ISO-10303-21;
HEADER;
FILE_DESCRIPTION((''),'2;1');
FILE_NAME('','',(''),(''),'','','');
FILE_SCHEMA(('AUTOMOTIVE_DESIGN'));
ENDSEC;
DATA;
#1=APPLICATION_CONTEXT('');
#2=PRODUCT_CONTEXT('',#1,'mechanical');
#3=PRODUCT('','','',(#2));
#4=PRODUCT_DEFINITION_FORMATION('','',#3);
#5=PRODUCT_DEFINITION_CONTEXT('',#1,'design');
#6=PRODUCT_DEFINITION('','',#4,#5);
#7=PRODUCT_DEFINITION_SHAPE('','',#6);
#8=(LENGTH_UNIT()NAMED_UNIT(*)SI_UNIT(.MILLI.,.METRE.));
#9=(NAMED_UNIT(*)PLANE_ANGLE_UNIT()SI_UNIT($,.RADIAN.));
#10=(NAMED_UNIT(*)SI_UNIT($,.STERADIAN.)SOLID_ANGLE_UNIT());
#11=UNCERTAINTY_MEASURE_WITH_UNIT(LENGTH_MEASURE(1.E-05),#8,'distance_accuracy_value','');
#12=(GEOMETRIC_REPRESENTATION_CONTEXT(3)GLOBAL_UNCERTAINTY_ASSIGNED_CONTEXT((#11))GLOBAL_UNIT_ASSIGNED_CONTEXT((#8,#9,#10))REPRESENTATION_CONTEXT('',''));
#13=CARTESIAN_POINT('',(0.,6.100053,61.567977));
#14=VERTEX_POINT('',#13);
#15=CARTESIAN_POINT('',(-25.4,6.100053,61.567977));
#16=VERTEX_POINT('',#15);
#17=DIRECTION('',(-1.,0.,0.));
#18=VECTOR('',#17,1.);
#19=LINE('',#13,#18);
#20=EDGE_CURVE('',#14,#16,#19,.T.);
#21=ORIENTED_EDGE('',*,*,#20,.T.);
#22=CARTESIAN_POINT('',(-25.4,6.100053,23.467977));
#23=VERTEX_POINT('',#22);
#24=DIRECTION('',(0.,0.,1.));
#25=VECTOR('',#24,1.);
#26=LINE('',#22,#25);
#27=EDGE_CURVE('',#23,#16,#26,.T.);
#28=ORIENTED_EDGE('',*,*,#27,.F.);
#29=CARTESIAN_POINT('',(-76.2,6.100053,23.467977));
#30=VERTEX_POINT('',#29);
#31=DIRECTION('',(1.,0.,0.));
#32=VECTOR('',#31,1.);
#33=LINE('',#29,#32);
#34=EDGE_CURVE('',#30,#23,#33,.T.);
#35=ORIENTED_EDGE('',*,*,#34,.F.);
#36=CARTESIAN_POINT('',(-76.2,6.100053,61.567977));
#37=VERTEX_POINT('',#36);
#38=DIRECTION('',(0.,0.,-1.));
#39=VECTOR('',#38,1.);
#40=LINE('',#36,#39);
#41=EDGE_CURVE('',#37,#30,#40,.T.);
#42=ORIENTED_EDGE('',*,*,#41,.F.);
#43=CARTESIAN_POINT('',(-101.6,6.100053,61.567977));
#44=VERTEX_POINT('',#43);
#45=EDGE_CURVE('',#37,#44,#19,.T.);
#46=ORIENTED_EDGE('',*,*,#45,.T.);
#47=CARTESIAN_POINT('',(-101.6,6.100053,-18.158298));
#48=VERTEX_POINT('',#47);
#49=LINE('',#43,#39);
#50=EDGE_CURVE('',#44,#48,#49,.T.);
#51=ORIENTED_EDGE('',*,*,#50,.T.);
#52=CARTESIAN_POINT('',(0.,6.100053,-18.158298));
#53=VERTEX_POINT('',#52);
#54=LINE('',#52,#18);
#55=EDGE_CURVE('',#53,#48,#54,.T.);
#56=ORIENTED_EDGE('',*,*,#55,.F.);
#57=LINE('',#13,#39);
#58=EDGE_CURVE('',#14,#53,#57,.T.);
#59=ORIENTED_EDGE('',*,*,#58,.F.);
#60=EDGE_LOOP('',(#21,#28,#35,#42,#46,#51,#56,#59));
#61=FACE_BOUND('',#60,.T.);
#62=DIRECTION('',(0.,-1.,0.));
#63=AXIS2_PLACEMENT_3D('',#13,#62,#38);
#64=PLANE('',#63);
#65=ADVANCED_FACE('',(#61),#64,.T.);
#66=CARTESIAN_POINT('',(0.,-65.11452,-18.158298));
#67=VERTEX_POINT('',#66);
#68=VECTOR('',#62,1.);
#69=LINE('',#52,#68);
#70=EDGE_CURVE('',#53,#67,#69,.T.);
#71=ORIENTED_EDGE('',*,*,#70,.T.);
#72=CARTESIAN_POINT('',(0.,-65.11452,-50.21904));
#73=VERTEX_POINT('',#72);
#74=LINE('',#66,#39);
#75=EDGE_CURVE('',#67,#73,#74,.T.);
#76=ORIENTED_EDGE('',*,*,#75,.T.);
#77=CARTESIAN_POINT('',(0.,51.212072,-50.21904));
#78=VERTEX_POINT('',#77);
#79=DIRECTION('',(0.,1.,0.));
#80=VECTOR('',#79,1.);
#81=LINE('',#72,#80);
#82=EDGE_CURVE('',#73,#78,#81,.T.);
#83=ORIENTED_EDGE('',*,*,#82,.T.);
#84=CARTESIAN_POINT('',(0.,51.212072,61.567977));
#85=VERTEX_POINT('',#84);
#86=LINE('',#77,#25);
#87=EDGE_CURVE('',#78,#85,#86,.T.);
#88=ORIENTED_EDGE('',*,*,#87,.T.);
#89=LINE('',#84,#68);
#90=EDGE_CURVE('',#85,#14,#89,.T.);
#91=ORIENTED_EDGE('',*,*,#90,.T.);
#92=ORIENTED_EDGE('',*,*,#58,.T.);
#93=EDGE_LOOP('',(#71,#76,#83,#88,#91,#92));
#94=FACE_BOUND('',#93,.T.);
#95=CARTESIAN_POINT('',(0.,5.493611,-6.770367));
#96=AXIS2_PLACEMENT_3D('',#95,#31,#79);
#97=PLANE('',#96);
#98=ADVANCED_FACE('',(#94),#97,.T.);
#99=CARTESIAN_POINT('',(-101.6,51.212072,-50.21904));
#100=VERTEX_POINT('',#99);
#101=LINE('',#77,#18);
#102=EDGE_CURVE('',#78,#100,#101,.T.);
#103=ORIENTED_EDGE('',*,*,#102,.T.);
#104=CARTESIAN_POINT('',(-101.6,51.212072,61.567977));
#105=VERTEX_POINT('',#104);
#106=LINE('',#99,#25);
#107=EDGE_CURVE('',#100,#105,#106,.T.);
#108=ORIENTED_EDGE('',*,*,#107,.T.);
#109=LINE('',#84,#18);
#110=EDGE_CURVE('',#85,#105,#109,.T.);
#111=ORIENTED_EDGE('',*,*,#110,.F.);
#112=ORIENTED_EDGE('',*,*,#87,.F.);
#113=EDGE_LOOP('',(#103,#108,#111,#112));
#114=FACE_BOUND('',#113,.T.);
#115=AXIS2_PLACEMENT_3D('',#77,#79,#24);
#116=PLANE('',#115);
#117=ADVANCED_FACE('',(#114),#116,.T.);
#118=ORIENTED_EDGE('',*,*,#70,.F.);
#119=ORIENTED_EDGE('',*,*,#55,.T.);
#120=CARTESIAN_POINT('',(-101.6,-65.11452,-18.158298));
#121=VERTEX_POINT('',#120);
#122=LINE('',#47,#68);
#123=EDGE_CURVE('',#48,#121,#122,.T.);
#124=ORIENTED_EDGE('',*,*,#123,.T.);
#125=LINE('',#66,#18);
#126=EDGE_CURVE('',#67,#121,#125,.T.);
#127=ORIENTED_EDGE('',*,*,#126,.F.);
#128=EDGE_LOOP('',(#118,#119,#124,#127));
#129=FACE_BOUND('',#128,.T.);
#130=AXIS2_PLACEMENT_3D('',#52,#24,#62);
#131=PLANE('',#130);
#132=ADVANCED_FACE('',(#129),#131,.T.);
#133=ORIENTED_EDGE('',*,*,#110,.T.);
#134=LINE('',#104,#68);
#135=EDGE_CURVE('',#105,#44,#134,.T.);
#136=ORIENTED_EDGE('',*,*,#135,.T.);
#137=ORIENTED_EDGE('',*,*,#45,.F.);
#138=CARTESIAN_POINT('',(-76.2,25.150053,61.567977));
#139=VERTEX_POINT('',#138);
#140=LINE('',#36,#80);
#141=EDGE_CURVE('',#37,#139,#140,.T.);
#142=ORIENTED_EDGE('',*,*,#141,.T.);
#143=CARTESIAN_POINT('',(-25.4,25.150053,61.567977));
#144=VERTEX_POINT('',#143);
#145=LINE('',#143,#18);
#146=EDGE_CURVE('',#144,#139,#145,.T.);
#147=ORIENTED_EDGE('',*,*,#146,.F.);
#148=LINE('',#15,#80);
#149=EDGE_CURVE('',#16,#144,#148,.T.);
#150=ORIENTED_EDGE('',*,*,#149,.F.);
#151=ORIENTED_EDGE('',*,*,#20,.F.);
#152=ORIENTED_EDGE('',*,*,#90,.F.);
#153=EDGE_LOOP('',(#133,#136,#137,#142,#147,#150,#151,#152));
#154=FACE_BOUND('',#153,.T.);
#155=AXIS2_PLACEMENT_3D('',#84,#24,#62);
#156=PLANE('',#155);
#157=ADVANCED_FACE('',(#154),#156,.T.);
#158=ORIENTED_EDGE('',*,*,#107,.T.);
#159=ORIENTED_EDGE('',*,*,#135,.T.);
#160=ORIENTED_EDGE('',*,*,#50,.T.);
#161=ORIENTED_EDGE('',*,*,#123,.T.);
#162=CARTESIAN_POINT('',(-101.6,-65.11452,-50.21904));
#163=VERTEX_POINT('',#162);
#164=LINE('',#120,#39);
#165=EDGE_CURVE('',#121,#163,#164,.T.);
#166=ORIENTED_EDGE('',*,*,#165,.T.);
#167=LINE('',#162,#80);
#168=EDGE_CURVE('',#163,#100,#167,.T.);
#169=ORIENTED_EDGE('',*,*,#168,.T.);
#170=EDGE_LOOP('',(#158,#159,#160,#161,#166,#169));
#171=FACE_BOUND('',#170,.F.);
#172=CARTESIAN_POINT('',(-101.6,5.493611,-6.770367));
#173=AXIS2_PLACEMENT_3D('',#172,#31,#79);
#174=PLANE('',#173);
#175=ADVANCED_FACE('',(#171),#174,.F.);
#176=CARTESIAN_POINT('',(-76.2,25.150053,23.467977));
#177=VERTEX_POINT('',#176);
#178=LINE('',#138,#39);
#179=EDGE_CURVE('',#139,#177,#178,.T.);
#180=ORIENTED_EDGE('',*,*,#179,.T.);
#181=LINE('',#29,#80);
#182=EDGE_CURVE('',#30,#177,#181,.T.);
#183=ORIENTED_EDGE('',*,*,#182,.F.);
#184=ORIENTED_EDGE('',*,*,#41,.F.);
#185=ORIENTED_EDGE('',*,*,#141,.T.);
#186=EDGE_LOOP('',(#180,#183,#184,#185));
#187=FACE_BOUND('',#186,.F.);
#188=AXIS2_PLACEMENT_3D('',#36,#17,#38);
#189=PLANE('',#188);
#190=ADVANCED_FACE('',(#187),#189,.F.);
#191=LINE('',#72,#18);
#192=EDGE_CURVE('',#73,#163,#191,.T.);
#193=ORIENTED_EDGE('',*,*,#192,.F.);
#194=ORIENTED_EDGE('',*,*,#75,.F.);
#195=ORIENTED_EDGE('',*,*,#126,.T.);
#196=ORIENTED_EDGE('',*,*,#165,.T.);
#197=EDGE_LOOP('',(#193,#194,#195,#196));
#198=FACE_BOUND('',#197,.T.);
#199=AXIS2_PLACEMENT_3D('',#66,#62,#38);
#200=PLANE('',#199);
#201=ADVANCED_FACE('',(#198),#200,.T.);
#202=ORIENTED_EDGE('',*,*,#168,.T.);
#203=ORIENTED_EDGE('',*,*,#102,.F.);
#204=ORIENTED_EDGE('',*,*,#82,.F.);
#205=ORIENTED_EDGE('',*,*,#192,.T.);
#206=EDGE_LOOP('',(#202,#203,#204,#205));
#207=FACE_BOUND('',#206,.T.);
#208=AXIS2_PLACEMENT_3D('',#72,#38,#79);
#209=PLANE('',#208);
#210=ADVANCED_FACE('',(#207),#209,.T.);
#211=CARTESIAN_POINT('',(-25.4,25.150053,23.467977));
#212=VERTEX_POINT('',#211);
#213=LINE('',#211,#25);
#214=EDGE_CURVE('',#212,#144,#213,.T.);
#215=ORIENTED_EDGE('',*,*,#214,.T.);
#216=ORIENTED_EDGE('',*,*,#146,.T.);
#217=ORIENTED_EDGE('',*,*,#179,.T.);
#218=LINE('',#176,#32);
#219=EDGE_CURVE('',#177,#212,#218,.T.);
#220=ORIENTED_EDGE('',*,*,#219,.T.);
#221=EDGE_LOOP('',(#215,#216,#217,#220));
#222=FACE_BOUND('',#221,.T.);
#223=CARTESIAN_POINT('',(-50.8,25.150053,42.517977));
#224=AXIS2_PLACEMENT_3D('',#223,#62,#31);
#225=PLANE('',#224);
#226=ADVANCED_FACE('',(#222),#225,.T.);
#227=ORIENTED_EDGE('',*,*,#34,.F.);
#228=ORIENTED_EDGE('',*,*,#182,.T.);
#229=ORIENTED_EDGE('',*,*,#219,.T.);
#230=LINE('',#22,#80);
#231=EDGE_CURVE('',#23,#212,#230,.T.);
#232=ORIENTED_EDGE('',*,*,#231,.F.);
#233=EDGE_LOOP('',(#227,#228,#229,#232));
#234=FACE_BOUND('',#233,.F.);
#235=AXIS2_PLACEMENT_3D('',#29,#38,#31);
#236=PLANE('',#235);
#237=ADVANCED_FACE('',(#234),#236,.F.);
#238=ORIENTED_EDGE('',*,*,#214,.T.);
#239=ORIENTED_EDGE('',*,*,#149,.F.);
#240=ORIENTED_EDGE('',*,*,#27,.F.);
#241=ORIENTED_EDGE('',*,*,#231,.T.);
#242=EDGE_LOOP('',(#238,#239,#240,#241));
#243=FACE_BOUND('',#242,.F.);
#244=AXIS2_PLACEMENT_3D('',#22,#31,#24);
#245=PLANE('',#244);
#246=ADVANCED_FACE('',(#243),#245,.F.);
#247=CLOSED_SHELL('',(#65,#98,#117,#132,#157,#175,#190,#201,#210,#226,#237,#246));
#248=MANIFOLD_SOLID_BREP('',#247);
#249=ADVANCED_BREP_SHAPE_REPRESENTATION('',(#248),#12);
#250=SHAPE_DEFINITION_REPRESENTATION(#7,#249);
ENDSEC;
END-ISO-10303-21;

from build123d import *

# Parameters (mm, degrees)
F1_DEPTH = 101.6
F3_DEPTH = 19.05


with BuildPart() as f1:
    # F0 (on Right) → F1 (new body)
    with BuildSketch(Plane.YZ):
        Polygon((6.100053, -18.158298), (-65.11452, -18.158298), (-65.11452, -50.21904), (51.212072, -50.21904), (51.212072, 61.567977), (6.100053, 61.567977), align=None)
    extrude(amount=-F1_DEPTH)

    # F2 (on face) → F3 (cut)
    with BuildSketch(Plane.XZ.offset(-6.100053)):
        Polygon((-25.4, 61.567977), (-76.2, 61.567977), (-76.2, 23.467977), (-25.4, 23.467977), (-25.4, 53.056277), align=None)
    extrude(amount=-F3_DEPTH, mode=Mode.SUBTRACT)


solid = f1.part
